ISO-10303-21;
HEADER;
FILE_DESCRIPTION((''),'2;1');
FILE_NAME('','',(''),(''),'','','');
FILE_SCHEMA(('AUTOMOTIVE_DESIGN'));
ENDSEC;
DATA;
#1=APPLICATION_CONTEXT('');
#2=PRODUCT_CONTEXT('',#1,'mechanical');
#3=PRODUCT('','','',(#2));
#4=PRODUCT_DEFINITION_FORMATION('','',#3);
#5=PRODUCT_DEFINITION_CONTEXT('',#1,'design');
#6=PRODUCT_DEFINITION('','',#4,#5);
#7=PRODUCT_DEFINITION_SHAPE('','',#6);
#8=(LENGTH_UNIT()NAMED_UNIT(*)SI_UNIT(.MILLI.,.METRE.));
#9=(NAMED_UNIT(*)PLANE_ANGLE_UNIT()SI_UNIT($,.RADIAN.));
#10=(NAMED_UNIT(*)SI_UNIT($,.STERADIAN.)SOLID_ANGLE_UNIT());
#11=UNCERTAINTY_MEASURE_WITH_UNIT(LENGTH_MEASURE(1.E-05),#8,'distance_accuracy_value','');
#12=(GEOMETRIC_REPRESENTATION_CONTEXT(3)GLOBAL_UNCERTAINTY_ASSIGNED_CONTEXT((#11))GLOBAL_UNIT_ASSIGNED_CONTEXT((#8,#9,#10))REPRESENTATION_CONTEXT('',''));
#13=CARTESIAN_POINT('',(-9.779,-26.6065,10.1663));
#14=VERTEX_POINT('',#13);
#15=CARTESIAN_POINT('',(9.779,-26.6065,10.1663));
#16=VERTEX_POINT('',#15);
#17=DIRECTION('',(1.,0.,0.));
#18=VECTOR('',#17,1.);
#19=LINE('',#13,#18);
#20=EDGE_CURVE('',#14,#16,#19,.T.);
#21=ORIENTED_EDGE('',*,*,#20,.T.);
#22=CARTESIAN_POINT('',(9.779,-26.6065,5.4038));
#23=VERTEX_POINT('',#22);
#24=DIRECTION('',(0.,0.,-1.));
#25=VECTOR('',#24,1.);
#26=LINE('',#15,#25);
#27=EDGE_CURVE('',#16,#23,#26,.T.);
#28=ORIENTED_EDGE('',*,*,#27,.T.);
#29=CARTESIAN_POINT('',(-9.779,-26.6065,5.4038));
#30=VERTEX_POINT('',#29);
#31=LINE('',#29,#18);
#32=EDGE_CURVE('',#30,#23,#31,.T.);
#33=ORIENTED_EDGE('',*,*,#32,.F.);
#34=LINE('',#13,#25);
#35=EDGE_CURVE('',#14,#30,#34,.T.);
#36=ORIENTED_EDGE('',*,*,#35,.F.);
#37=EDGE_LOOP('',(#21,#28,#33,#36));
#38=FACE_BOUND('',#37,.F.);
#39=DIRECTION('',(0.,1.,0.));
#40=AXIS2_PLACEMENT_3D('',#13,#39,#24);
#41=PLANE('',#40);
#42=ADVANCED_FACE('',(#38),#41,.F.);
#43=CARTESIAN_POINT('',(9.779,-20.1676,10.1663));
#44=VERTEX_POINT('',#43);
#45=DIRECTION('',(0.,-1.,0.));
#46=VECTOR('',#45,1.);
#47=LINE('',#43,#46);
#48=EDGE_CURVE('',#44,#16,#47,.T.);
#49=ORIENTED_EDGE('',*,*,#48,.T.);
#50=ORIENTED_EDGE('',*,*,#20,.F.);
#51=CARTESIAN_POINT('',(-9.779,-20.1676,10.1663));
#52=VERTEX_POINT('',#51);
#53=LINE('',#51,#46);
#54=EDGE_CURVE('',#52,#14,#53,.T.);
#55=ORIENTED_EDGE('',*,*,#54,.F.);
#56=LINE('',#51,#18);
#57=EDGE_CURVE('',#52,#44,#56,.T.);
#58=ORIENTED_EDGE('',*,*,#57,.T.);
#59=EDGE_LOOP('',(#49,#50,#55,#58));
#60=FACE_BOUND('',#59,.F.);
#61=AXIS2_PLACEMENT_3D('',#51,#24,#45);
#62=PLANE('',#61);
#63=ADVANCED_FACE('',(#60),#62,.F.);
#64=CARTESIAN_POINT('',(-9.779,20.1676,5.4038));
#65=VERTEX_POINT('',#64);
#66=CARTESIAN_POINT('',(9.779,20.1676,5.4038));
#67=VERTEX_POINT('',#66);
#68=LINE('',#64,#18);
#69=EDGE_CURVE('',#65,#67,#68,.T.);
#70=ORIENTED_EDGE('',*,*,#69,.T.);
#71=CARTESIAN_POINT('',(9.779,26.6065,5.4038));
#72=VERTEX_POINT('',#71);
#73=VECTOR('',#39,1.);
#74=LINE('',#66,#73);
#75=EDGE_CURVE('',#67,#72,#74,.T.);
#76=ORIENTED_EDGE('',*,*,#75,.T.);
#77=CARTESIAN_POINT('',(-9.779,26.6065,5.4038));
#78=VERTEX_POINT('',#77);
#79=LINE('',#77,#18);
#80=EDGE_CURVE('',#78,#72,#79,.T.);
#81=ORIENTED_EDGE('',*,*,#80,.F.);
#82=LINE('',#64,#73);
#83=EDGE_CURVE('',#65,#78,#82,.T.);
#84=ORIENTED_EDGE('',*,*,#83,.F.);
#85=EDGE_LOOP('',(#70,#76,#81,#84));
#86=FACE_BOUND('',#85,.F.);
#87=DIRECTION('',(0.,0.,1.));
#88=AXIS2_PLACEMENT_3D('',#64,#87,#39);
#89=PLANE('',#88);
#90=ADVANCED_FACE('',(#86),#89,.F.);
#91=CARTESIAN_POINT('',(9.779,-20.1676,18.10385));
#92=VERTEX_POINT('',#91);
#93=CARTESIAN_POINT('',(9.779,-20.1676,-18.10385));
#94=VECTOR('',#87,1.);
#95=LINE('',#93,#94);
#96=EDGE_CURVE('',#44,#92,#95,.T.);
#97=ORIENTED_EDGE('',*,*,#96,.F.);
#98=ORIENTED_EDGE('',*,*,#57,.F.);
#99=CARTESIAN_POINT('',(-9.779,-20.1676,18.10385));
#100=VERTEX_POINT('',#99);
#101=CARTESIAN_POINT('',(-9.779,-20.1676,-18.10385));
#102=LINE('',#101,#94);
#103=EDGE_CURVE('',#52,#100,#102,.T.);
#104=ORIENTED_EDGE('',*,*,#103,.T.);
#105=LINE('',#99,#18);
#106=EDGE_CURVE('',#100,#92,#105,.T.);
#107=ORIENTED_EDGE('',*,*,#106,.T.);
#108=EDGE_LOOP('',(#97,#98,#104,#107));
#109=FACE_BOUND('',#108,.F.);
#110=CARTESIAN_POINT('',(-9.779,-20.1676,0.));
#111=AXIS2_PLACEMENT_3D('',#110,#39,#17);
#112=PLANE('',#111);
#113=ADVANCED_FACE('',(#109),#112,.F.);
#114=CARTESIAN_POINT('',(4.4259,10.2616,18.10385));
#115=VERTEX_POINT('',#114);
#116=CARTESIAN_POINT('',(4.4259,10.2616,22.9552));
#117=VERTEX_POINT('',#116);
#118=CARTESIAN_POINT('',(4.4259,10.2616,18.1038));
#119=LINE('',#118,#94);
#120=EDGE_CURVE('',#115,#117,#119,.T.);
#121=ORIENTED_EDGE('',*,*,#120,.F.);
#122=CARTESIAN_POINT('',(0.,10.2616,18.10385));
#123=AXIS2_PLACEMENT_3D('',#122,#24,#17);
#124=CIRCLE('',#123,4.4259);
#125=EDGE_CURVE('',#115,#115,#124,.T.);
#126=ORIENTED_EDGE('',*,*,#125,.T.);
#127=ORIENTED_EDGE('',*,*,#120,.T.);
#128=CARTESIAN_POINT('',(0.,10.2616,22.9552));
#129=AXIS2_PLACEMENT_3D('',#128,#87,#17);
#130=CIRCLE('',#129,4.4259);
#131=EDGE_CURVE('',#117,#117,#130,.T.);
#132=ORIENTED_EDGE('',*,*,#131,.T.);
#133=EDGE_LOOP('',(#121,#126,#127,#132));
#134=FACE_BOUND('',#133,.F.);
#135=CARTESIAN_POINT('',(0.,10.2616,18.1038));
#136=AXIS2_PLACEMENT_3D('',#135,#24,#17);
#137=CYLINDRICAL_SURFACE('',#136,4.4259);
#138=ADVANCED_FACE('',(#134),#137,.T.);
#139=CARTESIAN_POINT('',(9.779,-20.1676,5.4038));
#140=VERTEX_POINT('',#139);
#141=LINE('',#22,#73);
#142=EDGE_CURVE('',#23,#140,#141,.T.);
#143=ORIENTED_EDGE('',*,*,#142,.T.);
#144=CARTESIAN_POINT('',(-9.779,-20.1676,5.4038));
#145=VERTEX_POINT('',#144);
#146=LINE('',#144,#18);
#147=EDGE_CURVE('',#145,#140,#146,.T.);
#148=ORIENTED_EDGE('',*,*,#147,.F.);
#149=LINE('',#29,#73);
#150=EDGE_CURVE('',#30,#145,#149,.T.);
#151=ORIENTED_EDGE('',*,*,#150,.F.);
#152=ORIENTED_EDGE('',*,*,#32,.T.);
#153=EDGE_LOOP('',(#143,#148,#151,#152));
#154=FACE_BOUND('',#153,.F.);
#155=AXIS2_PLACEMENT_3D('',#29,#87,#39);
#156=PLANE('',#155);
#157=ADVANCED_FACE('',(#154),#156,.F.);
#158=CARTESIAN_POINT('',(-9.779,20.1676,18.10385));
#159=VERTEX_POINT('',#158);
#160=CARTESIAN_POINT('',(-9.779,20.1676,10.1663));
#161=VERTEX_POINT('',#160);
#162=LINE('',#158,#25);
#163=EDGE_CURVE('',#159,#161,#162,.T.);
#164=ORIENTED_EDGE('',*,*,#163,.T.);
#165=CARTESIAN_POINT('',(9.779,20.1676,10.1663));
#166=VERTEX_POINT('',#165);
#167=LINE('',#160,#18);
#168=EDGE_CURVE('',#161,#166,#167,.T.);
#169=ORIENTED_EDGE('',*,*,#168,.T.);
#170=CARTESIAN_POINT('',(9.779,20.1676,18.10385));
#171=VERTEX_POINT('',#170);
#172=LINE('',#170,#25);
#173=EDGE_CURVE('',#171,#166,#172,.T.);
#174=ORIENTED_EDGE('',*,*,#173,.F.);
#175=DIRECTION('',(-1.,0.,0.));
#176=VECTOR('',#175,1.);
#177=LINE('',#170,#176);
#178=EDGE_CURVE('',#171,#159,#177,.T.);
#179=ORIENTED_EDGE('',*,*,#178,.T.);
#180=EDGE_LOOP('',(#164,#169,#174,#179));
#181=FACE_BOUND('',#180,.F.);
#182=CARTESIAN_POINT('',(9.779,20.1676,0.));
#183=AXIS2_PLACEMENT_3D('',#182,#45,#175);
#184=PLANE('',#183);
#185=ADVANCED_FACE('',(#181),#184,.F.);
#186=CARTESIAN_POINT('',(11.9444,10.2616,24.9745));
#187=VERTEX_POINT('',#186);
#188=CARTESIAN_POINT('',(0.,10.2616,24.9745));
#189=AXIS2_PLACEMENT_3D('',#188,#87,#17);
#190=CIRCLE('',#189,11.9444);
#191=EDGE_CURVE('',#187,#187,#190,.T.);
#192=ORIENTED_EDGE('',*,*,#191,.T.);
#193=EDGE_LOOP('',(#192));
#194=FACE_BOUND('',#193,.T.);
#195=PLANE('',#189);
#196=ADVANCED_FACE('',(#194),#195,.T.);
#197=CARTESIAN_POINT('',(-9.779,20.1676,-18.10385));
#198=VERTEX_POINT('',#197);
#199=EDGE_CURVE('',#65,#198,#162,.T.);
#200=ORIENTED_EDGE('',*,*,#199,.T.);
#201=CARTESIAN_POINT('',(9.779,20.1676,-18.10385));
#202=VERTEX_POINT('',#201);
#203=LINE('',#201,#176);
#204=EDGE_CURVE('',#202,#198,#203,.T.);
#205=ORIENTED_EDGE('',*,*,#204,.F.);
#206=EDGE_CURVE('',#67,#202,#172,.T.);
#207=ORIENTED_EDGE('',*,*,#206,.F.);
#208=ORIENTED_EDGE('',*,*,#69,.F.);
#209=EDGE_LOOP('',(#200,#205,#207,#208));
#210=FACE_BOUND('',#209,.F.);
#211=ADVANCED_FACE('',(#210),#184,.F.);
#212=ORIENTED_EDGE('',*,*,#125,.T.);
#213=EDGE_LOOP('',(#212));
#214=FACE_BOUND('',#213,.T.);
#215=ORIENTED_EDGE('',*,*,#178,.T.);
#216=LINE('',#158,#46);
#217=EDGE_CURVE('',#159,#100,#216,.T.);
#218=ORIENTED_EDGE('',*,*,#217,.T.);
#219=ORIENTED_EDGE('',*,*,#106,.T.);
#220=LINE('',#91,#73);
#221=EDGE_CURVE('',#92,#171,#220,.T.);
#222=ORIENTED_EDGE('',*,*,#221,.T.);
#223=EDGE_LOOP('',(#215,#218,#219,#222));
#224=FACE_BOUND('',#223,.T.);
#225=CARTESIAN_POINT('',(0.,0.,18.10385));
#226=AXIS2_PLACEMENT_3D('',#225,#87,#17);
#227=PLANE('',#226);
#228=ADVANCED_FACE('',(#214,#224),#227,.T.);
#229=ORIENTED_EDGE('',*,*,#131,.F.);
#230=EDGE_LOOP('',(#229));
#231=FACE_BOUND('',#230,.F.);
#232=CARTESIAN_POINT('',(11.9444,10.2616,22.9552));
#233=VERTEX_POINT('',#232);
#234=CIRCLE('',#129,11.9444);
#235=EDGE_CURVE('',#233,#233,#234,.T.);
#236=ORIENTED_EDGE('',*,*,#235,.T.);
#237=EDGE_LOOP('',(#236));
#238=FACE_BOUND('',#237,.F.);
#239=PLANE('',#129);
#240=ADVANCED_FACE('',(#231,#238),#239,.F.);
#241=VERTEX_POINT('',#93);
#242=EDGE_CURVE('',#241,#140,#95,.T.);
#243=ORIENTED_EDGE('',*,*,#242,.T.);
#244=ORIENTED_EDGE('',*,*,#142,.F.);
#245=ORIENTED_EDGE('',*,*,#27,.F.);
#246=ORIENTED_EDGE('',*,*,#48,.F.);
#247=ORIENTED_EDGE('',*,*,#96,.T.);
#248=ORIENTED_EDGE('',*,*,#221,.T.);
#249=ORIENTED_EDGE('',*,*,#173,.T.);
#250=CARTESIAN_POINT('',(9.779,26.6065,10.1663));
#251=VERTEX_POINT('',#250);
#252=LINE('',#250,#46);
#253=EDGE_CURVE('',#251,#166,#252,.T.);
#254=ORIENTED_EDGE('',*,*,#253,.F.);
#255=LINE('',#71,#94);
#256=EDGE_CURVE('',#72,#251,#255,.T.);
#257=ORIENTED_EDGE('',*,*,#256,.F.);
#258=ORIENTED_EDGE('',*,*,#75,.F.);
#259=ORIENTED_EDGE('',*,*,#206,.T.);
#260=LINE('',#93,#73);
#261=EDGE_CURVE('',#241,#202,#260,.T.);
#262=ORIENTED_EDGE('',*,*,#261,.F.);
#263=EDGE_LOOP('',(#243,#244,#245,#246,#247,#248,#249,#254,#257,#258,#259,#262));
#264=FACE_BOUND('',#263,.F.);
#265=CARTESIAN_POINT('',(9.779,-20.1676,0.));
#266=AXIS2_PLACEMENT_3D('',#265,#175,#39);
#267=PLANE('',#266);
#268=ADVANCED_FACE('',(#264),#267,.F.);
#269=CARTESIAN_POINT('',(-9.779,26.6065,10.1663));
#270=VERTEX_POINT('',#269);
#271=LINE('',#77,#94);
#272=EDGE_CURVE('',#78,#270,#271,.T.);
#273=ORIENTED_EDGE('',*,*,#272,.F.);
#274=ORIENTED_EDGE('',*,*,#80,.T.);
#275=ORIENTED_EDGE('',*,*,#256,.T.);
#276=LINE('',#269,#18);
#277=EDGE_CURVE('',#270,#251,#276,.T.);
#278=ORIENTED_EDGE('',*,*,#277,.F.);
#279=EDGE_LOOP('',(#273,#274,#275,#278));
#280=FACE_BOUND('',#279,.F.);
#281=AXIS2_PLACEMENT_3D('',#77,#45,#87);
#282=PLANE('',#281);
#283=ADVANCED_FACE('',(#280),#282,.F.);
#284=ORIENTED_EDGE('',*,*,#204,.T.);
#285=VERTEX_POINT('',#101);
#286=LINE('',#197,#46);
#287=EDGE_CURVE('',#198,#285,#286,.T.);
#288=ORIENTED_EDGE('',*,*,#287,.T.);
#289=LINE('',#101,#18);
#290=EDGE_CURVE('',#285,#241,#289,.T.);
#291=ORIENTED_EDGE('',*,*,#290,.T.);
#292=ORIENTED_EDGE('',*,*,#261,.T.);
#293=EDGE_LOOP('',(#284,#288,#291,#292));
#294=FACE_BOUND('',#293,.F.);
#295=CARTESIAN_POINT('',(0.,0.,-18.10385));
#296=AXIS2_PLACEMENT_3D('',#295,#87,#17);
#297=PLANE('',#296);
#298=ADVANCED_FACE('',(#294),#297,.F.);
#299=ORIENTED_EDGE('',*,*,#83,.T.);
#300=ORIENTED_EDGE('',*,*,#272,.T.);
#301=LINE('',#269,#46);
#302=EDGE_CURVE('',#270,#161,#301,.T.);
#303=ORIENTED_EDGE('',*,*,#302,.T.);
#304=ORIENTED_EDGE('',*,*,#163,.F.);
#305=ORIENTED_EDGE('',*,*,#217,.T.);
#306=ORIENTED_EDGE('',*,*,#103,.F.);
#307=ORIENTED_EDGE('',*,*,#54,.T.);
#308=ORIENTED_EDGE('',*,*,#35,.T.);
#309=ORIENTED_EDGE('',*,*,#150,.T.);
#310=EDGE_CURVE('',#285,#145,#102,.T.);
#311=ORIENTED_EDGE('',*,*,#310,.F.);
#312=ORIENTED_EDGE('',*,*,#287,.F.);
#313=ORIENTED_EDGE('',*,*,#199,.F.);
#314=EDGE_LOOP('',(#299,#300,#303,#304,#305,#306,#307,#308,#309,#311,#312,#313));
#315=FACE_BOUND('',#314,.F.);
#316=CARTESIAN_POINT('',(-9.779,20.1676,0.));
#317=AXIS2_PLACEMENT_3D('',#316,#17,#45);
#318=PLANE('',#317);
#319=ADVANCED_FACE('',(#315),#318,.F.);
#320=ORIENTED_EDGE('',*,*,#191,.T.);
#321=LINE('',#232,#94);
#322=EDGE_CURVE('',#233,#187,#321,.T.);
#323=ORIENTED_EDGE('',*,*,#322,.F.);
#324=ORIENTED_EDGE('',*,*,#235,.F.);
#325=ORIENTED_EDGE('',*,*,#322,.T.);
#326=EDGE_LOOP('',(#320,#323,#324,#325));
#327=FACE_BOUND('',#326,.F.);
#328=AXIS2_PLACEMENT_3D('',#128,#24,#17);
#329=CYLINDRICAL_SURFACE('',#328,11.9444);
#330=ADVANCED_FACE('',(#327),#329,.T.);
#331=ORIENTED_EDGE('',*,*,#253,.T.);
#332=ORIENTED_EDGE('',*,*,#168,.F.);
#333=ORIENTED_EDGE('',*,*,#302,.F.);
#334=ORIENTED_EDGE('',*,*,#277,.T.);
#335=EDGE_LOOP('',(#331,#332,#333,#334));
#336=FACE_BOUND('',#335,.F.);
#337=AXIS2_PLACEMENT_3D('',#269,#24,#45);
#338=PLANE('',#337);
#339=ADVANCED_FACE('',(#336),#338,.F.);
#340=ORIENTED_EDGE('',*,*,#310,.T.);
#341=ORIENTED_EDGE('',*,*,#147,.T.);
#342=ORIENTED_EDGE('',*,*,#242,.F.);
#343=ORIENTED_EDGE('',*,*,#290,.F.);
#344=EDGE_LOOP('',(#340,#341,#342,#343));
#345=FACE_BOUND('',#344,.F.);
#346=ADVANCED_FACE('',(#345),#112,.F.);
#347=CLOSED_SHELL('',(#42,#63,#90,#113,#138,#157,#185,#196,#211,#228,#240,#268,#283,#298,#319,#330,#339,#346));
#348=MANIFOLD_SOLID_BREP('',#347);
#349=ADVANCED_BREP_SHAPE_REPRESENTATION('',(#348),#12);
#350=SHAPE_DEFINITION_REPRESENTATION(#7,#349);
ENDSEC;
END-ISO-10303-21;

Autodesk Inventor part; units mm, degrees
ref_plane "YZ Plane" through (0, 0, 0) normal (1, 0, 0) x (0, 1, 0)
ref_plane "XZ Plane" through (0, 0, 0) normal (0, 1, 0) x (-1, 0, 0)
ref_plane "XY Plane" through (0, 0, 0) normal (0, 0, 1) x (1, 0, 0)
sketch "Sketch1" plane through (0, 0, 0) normal (0, 0, 1) x (1, 0, 0)
  line L0 (-9.779, -20.1676) -> (9.779, -20.1676)
  line L1 (9.779, -20.1676) -> (9.779, 20.1676)
  line L2 (9.779, 20.1676) -> (-9.779, 20.1676)
  line L3 (-9.779, 20.1676) -> (-9.779, -20.1676)
  line L4 (-9.779, -20.1676) -> (9.779, 20.1676) construction
  line L5 (9.779, -20.1676) -> (-9.779, 20.1676) construction
  point P0 (0, 0)
  dimension "ServoWidth" = 19.558
  dimension "ServoHeight" = 40.3352
extrude "Body" add sketch "Sketch1" along normal mid plane 36.2077
sketch "Sketch2" plane through (0, 0, 18.1038) normal (0, 0, 1) x (1, 0, 0)
  circle A0 centre (0, 10.2616) radius 4.4259
  line L0 (9.779, 20.1676) -> (-9.779, 20.1676) projected
  point P0 (0, 0)
  dimension "d4" = 8.8519
  dimension "d7" = 9.906
extrude "Actuator" add sketch "Sketch2" along normal blind 4.8514
sketch "Sketch3" plane through (0, 10.2616, 22.9552) normal (0, 0, 1) x (1, 0, 0)
  circle A0 centre (0, 0) radius 11.9444
  point P0 (0, -10.2616)
  dimension "ServoWheelDiameter" = 23.8887
extrude "Wheel" add sketch "Sketch3" along normal blind 2.0193
sketch "Sketch4" plane through (-9.779, -20.1676, 18.1038) normal (-1, 0, 0) x (0, 0, 1)
  line L0 (-7.9375, -6.4389) -> (-12.7, -6.4389)
  line L1 (-12.7, -6.4389) -> (-12.7, 0)
  line L2 (-12.7, 0) -> (-7.9375, 0)
  line L3 (-7.9375, 0) -> (-7.9375, -6.4389)
  line L4 (-7.9375, -6.4389) -> (-12.7, 0) construction
  line L5 (-12.7, -6.4389) -> (-7.9375, 0) construction
  line L6 (-36.2077, 0) -> (0, 0) projected
  line L7 (0, 40.3352) -> (0, 0) projected
  line L8 (-12.7, 46.7741) -> (-7.9375, 46.7741)
  line L9 (-7.9375, 46.7741) -> (-7.9375, 40.3352)
  line L10 (-7.9375, 40.3352) -> (-12.7, 40.3352)
  line L11 (-12.7, 40.3352) -> (-12.7, 46.7741)
  line L12 (-12.7, 46.7741) -> (-7.9375, 40.3352) construction
  line L13 (-7.9375, 46.7741) -> (-12.7, 40.3352) construction
  line L14 (-36.2077, 40.3352) -> (0, 40.3352) projected
  point P0 (-18.1038, 20.1676)
  point P1 (-10.3188, -3.2195)
  point P2 (-10.3188, 43.5546)
  point P3 (-7.9375, 43.5546)
  point P4 (-7.9375, -3.2194)
  dimension "ServoTabWidth" = 4.7625
  dimension "ServoTabHeight" = 6.4389
  dimension "ServoTabDepthOffset" = 7.9375
  dimension "d16" = 6.4389
  dimension "d17" = 4.7625
extrude "Tabs" add sketch "Sketch4" against normal up to surface (19.558 mm away)
equation "\"d16\" = ServoTabHeight"
equation "\"d17\" = ServoTabWidth"
properties part number "Servo"
